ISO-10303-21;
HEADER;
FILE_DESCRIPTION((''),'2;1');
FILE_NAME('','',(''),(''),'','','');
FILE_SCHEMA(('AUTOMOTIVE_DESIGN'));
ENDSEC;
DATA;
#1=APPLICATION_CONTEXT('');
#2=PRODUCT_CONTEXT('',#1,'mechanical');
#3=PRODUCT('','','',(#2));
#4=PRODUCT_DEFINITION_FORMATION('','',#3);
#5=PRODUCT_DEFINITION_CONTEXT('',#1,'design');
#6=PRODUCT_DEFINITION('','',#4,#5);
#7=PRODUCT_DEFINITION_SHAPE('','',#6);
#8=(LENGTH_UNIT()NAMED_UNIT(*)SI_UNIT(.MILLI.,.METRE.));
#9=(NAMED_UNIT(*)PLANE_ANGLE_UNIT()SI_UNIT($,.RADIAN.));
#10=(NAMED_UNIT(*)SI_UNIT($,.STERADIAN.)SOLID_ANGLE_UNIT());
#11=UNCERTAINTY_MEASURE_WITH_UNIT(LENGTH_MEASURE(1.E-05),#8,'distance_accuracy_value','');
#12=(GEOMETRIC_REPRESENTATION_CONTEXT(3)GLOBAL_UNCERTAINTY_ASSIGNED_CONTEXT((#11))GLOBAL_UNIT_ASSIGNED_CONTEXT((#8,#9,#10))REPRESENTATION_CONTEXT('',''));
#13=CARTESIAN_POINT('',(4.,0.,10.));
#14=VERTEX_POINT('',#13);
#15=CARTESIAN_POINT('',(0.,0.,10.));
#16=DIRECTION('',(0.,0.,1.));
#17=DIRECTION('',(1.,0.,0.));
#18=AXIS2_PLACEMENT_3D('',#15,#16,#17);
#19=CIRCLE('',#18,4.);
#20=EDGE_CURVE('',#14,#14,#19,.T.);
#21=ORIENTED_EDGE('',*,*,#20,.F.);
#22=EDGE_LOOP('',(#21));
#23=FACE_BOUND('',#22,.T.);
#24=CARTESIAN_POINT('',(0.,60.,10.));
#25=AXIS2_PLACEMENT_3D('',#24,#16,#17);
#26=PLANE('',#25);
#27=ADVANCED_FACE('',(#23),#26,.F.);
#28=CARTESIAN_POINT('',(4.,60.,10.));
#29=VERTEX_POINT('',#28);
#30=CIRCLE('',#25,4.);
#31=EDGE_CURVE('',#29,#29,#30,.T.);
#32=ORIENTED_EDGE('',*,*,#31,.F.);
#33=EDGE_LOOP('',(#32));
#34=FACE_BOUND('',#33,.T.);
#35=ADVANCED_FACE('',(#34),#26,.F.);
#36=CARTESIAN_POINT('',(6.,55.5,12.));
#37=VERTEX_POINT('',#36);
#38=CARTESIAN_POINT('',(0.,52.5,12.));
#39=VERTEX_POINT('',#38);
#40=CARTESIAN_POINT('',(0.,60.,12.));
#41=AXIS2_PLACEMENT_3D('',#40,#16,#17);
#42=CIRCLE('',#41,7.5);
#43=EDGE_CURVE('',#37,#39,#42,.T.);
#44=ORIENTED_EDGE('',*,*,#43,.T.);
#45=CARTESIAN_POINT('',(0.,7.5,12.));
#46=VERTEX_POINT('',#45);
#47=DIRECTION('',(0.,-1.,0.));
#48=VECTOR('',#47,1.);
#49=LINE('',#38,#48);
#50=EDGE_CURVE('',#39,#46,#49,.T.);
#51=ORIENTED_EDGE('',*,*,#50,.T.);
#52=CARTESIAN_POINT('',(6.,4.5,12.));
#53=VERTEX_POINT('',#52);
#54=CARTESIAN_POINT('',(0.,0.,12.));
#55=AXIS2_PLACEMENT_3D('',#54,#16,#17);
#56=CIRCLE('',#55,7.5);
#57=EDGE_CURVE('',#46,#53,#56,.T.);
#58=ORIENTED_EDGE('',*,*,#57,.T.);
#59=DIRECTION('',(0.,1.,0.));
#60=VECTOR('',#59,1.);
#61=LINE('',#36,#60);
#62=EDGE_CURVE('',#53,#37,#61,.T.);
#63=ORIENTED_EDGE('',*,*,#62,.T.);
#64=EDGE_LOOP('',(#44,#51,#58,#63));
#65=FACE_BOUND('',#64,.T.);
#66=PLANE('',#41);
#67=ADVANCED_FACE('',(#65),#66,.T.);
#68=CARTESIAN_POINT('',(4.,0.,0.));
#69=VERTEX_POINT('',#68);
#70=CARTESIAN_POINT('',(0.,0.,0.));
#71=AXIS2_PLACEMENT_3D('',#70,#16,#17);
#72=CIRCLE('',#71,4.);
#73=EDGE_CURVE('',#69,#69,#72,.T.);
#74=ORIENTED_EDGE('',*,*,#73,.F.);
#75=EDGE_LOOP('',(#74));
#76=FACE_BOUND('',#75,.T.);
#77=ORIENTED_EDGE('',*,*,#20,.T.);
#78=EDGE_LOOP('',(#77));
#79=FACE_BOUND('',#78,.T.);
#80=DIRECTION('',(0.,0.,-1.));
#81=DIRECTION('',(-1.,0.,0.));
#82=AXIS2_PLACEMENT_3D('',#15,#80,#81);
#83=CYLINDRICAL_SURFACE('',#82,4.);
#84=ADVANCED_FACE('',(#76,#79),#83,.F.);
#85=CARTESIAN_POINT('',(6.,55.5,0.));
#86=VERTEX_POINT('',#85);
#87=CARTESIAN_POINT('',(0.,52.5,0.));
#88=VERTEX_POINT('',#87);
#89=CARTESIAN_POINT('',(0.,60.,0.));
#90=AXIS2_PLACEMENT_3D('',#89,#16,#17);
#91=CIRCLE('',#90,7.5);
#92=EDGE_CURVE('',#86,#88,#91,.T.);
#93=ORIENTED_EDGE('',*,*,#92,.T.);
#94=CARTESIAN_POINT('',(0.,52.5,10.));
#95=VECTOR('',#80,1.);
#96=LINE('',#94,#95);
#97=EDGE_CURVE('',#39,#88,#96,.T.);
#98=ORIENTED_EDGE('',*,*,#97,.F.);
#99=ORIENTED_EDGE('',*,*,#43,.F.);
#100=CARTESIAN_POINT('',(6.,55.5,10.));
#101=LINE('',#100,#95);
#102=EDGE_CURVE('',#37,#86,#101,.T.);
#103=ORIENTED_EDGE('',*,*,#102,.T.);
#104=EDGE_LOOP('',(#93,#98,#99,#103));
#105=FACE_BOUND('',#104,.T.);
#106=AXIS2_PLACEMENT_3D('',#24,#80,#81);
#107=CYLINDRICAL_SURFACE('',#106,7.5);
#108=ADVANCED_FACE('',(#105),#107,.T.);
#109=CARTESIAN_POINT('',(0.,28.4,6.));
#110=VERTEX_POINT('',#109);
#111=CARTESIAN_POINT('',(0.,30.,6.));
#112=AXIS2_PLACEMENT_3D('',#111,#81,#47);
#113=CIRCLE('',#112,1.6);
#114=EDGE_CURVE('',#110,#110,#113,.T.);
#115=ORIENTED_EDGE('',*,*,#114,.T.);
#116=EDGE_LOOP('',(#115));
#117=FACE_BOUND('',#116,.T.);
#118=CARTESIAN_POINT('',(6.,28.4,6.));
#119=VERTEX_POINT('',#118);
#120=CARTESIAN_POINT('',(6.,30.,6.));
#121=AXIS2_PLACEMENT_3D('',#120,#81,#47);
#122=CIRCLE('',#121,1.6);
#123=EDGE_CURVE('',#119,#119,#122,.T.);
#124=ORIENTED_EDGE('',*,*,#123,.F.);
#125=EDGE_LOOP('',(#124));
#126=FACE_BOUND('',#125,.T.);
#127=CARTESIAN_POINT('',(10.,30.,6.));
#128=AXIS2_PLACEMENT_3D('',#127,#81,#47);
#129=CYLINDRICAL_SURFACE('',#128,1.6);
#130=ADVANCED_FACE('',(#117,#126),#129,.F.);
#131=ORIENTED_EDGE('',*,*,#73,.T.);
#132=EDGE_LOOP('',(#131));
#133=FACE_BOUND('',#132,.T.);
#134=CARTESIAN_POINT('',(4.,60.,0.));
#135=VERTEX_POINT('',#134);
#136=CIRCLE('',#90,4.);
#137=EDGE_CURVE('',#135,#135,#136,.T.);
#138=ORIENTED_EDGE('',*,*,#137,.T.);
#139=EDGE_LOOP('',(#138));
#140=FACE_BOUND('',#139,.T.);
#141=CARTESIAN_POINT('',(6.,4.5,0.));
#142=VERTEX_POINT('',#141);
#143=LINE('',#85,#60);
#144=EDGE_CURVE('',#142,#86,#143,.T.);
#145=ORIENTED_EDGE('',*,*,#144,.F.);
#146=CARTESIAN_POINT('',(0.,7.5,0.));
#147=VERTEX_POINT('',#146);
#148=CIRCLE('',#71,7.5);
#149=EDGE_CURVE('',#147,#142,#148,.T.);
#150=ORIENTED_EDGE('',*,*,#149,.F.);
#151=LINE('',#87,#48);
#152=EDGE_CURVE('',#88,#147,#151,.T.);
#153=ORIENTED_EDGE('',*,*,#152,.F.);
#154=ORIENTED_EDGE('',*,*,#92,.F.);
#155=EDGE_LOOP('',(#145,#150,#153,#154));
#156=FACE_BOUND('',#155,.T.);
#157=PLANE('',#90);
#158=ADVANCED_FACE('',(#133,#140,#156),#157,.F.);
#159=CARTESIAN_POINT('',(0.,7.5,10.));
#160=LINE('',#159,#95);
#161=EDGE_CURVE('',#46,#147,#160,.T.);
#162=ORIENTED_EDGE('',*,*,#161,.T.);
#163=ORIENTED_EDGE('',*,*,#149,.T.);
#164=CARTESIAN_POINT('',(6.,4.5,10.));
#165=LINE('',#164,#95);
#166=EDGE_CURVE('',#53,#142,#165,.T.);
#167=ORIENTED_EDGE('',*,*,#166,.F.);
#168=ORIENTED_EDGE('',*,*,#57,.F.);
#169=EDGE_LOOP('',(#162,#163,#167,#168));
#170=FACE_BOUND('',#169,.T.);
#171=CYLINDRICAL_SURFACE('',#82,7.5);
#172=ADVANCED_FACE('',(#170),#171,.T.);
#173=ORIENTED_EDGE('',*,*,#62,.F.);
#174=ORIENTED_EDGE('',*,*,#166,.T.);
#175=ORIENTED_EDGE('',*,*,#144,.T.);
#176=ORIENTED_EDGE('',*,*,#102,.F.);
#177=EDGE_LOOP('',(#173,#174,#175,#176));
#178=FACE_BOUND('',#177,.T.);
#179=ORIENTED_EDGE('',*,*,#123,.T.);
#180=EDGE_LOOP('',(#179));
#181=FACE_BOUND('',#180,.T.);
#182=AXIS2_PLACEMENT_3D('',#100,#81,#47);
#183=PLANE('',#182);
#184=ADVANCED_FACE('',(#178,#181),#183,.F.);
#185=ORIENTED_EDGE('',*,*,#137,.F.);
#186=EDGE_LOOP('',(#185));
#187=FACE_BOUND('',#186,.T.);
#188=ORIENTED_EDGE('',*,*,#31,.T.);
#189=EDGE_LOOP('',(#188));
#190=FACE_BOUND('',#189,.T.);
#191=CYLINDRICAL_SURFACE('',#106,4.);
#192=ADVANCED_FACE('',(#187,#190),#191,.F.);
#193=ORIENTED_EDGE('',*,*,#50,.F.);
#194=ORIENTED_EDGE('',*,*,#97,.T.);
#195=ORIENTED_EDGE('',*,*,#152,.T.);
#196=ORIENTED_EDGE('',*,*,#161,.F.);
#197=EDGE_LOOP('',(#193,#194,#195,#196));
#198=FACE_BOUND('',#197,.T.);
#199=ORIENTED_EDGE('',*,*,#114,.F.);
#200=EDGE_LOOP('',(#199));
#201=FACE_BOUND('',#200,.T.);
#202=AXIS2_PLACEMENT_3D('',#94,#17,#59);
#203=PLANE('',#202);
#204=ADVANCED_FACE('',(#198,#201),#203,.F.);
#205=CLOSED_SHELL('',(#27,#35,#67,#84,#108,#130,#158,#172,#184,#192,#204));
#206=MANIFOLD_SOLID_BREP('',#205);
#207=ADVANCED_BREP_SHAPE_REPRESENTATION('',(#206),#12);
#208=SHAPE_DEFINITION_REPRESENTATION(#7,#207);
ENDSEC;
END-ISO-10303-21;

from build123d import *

# Parameters (mm, degrees)
ESBO_O1_R                = 4
RESSALTO_EXTRUS_O1_DEPTH = 10
RESSALTO_EXTRUS_O2_DEPTH = 2
ESBO_O2_R                = 1.6
CORTE_EXTRUS_O1_DEPTH    = 10


with BuildPart() as part:
    # Esboço1 → Ressalto-extrusão1 (new body)
    with BuildSketch(Plane.XY):
        with BuildLine():
            Line((6, 4.5), (6, 55.5))
            ThreePointArc((6, 55.5), (-3.354101966, 66.708203932), (0, 52.5))
            Line((0, 52.5), (0, 7.5))
            ThreePointArc((0, 7.5), (-3.354101966, -6.708203932), (6, 4.5))
        make_face()
        Circle(ESBO_O1_R, mode=Mode.SUBTRACT)
        with Locations((0, 60)):
            Circle(ESBO_O1_R, mode=Mode.SUBTRACT)
    extrude(amount=RESSALTO_EXTRUS_O1_DEPTH)

    # Esboço3 → Ressalto-extrusão2 (add)
    with BuildSketch(Plane.XY.offset(10)):
        with BuildLine():
            Line((0, 52.5), (0, 7.5))
            ThreePointArc((0, 7.5), (-3.354101966, -6.708203932), (6, 4.5))
            Line((6, 4.5), (6, 55.5))
            ThreePointArc((6, 55.5), (-3.354101966, 66.708203932), (0, 52.5))
        make_face()
    extrude(amount=RESSALTO_EXTRUS_O2_DEPTH)

    # Esboço2 → Corte-extrusão1 (cut)
    with BuildSketch(Plane.ZY):
        with Locations(Location((6, 30, 0), (0, 0, 270))):
            Circle(ESBO_O2_R)
    extrude(amount=-CORTE_EXTRUS_O1_DEPTH, mode=Mode.SUBTRACT)


solid = part.part
